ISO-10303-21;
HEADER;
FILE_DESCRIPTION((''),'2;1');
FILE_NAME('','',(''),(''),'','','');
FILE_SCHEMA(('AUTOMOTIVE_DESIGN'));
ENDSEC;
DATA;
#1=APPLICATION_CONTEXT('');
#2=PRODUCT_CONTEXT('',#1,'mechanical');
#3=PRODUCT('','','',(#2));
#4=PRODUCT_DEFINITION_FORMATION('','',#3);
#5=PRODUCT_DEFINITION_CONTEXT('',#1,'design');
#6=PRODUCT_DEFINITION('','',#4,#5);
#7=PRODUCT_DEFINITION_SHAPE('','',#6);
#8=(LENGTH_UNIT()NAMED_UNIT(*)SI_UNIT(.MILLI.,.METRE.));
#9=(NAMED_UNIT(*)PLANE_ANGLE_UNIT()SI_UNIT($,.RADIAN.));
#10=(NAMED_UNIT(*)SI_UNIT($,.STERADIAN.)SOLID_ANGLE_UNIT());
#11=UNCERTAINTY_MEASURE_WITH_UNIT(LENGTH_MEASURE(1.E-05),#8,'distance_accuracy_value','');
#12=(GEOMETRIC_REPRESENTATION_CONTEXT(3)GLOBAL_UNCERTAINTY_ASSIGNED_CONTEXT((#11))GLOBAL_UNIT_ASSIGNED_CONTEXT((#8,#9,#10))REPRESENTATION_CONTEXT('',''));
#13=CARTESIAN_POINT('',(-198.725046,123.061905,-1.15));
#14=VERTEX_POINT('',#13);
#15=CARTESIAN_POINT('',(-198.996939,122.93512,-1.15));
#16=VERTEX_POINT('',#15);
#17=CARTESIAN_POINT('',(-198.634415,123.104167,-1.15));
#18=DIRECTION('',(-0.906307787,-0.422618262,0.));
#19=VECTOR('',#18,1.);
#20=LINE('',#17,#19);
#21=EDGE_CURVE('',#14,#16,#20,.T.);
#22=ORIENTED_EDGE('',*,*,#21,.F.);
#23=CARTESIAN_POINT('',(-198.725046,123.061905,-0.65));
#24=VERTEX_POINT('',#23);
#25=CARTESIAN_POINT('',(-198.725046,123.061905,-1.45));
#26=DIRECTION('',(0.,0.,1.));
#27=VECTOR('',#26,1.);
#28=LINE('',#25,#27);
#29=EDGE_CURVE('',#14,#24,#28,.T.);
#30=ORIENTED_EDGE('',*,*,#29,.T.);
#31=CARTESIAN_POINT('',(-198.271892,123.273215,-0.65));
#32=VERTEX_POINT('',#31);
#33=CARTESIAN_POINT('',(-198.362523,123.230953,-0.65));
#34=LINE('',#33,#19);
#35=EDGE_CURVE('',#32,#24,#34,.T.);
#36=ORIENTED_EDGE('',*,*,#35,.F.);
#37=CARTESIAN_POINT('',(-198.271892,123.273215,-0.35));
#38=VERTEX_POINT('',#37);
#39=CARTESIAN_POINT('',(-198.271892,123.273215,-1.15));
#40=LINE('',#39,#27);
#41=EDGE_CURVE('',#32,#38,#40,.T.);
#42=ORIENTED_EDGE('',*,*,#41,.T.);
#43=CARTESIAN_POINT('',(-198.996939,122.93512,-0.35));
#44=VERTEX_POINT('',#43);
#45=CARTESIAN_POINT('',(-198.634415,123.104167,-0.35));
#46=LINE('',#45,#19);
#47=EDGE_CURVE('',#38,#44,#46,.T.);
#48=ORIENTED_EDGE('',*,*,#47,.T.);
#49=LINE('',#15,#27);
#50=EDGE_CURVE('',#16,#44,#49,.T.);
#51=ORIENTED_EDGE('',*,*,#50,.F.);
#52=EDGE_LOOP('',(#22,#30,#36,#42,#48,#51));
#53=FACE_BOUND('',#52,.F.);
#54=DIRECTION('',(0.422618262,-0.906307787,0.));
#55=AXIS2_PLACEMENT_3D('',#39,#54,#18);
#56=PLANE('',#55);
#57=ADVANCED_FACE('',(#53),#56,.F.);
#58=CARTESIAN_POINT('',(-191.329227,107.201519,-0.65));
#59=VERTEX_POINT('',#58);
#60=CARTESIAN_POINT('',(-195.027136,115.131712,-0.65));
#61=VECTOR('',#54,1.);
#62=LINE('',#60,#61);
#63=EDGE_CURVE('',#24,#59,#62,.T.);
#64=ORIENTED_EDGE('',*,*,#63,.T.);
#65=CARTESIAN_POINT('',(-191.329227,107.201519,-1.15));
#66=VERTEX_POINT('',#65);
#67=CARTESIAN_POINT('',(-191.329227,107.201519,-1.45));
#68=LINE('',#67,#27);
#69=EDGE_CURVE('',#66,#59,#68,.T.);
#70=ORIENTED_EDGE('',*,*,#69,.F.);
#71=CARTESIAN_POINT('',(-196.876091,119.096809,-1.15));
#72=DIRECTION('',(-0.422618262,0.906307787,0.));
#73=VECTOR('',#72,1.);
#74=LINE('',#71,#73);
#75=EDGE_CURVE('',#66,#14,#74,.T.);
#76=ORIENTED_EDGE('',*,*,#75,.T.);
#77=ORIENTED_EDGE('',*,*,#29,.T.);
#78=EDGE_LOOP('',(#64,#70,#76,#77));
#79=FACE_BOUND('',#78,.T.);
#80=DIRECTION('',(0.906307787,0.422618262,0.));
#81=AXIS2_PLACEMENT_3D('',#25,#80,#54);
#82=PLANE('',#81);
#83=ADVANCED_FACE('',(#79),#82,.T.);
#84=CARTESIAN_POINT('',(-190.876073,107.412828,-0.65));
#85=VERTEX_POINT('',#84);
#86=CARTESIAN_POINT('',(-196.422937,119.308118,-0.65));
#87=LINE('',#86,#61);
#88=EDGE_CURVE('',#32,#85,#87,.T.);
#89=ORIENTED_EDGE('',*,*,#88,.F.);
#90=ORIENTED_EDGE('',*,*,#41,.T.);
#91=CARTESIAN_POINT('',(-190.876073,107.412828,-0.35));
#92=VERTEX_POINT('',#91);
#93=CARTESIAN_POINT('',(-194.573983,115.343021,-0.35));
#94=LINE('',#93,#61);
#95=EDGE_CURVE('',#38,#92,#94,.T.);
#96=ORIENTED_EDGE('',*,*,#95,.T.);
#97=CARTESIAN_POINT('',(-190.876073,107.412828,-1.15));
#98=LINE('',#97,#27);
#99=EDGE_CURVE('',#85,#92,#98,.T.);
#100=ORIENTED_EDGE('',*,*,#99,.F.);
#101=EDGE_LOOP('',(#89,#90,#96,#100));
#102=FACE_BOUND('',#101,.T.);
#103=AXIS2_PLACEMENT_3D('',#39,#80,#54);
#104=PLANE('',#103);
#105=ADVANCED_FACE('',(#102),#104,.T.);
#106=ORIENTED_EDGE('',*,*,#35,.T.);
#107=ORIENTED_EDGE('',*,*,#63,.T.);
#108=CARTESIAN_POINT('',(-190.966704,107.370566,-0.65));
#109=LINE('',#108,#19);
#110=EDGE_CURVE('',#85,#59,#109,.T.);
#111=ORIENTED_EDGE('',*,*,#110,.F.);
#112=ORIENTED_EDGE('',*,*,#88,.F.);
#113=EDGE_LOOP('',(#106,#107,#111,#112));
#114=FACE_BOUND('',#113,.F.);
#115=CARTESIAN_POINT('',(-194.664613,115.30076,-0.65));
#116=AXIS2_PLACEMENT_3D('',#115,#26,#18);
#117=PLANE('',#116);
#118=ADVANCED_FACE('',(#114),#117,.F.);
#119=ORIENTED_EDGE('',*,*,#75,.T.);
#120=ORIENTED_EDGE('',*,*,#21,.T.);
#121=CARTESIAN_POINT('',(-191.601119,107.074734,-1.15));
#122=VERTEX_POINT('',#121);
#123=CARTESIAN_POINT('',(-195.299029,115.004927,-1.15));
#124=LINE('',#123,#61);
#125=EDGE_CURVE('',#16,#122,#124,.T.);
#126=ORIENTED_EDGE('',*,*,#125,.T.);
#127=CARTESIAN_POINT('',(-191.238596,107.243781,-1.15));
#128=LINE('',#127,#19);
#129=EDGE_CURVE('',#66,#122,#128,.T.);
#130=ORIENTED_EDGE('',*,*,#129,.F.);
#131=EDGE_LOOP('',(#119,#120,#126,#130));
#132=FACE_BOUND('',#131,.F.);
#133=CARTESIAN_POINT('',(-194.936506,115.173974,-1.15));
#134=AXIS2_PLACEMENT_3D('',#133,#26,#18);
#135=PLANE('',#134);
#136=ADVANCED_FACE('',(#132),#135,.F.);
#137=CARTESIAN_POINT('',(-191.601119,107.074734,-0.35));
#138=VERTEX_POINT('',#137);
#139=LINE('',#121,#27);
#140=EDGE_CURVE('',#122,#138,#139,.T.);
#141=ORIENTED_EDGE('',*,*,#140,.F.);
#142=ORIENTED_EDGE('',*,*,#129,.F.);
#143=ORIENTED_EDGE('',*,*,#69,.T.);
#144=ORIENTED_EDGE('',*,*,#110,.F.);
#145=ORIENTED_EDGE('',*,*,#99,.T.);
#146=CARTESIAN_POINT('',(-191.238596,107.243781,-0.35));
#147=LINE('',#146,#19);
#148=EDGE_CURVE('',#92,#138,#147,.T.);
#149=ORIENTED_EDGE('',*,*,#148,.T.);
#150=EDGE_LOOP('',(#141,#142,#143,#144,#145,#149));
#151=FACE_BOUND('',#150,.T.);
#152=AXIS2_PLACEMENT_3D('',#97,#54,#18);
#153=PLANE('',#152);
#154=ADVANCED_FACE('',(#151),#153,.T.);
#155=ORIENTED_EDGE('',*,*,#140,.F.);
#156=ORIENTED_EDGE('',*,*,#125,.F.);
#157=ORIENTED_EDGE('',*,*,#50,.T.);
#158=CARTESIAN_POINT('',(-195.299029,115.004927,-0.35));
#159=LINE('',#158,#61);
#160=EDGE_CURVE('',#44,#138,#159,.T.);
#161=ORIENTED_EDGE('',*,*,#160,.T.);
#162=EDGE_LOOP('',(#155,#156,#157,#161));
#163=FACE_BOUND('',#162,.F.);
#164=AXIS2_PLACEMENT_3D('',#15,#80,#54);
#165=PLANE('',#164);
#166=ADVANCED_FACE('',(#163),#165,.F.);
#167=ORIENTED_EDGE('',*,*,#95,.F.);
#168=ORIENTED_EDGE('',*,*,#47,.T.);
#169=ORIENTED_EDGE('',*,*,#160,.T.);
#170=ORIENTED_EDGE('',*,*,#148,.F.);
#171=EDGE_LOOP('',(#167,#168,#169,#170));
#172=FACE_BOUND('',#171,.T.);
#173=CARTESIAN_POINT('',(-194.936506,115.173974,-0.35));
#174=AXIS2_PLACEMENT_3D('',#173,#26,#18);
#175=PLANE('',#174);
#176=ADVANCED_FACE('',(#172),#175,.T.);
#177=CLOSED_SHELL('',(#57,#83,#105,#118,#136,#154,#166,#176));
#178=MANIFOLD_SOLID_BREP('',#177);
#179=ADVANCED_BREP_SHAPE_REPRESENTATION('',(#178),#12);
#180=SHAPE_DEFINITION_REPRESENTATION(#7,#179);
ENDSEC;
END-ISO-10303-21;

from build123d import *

# Parameters (mm, degrees)
BOX167_W               = 0.8
BOX167_H               = 17.5
BOX167_DEPTH           = 0.8
BOX168_W               = 0.8
BOX168_H               = 17.5
BOX168_DEPTH           = 0.8
CUT087_PLACEMENT_ANGLE = 205


with BuildPart() as cubo167:
    # Box167 → Box167 (new body)
    with BuildSketch(Plane.XY):
        with Locations((0.4, 8.75)):
            Rectangle(BOX167_W, BOX167_H)
    extrude(amount=BOX167_DEPTH)


with BuildPart() as perfil_l_2da_cara029:
    # Box168 → Box168 (new body)
    with BuildSketch(Plane(origin=(0.3, 0, 0.3), x_dir=(1, 0, 0), z_dir=(0, 0, 1))):
        with Locations((0.4, 8.75)):
            Rectangle(BOX168_W, BOX168_H)
    extrude(amount=BOX168_DEPTH)

    # Cut087: cut Cubo167
    add(cubo167.part, mode=Mode.SUBTRACT)


with BuildPart() as perfil_l_2da_cara029_1:
    # Cut087 placement: moved
    add(perfil_l_2da_cara029.part.moved(Location((-198, 123.4, -1.45))).rotate(Axis((-198, 123.4, -1.45), (0, 0, 1)), CUT087_PLACEMENT_ANGLE))


solid = perfil_l_2da_cara029_1.part
